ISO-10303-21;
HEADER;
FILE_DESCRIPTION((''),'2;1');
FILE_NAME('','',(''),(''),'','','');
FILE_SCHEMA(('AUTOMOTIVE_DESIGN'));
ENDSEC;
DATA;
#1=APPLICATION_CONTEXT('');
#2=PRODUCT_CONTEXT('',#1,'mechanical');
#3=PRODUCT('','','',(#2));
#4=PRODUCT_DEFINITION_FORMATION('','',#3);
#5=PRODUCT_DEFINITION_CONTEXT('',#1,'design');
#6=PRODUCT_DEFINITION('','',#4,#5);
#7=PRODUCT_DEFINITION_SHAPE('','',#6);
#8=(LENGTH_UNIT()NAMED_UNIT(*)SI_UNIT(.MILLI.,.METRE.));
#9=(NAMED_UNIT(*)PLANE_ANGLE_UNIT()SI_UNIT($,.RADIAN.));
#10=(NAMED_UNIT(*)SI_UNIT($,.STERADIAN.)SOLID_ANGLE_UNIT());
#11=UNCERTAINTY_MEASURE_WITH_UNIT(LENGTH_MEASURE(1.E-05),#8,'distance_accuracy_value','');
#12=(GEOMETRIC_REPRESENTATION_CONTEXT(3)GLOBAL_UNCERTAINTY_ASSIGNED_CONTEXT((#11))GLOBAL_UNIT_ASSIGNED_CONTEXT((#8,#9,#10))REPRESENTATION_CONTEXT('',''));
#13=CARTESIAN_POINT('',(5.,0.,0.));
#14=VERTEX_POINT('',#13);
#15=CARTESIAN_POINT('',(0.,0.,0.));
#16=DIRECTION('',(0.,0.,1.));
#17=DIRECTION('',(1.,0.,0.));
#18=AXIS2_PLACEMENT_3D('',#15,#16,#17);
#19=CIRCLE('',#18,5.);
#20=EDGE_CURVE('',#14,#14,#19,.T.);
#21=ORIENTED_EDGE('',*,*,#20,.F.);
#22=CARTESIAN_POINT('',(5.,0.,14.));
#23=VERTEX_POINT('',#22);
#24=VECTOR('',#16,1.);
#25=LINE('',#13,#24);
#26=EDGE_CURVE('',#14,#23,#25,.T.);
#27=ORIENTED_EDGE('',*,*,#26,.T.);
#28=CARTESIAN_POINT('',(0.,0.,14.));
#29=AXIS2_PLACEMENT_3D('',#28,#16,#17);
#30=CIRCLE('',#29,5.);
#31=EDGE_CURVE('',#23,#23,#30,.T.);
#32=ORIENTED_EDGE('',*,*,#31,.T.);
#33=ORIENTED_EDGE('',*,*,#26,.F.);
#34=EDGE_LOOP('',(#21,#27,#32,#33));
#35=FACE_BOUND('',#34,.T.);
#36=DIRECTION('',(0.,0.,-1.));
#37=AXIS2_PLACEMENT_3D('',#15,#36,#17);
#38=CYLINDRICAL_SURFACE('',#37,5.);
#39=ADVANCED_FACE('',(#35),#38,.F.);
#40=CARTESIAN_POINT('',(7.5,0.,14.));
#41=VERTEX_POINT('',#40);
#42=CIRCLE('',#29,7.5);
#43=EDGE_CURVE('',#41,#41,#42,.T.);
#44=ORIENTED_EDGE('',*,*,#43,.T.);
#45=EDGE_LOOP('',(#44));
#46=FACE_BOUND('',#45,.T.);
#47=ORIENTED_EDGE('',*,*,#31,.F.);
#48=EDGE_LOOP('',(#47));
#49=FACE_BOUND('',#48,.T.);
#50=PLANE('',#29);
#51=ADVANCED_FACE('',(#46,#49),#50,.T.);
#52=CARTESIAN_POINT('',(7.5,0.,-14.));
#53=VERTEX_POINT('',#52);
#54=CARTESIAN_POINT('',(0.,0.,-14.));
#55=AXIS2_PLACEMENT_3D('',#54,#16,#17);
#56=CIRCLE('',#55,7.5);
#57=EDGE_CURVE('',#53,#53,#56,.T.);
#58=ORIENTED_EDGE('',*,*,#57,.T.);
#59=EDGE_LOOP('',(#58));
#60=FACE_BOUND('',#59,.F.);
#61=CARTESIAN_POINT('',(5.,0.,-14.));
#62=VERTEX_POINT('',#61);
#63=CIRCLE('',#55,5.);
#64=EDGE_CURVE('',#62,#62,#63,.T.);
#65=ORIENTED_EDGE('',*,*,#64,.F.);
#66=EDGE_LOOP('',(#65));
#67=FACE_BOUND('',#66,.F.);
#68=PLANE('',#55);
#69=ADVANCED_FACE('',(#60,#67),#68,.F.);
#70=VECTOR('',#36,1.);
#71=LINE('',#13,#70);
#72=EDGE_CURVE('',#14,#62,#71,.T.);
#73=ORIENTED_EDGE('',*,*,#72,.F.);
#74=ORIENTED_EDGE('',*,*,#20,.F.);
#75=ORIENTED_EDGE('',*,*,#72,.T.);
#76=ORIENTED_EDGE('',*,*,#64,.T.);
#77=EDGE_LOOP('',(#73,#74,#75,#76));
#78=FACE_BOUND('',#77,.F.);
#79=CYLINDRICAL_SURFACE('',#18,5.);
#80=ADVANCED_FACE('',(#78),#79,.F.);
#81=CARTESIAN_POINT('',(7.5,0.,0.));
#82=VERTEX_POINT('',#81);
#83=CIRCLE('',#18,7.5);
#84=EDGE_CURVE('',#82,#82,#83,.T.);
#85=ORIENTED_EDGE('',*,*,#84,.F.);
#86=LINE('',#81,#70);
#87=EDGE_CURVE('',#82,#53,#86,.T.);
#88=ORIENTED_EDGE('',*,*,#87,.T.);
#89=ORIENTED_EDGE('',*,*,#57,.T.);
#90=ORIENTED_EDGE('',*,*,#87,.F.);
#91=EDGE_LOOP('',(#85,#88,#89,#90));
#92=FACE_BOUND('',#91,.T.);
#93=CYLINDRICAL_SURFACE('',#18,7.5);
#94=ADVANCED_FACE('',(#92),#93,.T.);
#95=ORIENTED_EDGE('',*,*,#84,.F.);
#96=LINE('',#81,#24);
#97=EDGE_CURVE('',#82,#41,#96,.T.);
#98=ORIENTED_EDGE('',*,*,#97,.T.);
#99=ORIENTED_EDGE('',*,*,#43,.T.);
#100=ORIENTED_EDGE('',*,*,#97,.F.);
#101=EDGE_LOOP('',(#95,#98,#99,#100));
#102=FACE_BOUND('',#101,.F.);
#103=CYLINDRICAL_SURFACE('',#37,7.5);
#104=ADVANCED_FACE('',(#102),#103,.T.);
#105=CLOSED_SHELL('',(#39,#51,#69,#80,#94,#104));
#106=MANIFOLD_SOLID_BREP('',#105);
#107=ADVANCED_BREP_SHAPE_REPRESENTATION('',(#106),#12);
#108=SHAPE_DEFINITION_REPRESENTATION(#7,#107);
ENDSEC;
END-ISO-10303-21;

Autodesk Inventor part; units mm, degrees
ref_plane "YZ Plane" through (0, 0, 0) normal (1, 0, 0) x (0, 1, 0)
ref_plane "XZ Plane" through (0, 0, 0) normal (0, 1, 0) x (-1, 0, 0)
ref_plane "XY Plane" through (0, 0, 0) normal (0, 0, 1) x (1, 0, 0)
sketch "Esboço2" plane through (0, 0, 0) normal (0, 0, 1) x (1, 0, 0)
  circle A0 centre (0, 0) radius 7.5
  circle A1 centre (0, 0) radius 5
  dimension "d4" = 15
  dimension "d5" = 10
extrude "Extrusão2" add sketch "Esboço2" along normal mid plane 28
properties part number "Lower_Rod_Bushing"
